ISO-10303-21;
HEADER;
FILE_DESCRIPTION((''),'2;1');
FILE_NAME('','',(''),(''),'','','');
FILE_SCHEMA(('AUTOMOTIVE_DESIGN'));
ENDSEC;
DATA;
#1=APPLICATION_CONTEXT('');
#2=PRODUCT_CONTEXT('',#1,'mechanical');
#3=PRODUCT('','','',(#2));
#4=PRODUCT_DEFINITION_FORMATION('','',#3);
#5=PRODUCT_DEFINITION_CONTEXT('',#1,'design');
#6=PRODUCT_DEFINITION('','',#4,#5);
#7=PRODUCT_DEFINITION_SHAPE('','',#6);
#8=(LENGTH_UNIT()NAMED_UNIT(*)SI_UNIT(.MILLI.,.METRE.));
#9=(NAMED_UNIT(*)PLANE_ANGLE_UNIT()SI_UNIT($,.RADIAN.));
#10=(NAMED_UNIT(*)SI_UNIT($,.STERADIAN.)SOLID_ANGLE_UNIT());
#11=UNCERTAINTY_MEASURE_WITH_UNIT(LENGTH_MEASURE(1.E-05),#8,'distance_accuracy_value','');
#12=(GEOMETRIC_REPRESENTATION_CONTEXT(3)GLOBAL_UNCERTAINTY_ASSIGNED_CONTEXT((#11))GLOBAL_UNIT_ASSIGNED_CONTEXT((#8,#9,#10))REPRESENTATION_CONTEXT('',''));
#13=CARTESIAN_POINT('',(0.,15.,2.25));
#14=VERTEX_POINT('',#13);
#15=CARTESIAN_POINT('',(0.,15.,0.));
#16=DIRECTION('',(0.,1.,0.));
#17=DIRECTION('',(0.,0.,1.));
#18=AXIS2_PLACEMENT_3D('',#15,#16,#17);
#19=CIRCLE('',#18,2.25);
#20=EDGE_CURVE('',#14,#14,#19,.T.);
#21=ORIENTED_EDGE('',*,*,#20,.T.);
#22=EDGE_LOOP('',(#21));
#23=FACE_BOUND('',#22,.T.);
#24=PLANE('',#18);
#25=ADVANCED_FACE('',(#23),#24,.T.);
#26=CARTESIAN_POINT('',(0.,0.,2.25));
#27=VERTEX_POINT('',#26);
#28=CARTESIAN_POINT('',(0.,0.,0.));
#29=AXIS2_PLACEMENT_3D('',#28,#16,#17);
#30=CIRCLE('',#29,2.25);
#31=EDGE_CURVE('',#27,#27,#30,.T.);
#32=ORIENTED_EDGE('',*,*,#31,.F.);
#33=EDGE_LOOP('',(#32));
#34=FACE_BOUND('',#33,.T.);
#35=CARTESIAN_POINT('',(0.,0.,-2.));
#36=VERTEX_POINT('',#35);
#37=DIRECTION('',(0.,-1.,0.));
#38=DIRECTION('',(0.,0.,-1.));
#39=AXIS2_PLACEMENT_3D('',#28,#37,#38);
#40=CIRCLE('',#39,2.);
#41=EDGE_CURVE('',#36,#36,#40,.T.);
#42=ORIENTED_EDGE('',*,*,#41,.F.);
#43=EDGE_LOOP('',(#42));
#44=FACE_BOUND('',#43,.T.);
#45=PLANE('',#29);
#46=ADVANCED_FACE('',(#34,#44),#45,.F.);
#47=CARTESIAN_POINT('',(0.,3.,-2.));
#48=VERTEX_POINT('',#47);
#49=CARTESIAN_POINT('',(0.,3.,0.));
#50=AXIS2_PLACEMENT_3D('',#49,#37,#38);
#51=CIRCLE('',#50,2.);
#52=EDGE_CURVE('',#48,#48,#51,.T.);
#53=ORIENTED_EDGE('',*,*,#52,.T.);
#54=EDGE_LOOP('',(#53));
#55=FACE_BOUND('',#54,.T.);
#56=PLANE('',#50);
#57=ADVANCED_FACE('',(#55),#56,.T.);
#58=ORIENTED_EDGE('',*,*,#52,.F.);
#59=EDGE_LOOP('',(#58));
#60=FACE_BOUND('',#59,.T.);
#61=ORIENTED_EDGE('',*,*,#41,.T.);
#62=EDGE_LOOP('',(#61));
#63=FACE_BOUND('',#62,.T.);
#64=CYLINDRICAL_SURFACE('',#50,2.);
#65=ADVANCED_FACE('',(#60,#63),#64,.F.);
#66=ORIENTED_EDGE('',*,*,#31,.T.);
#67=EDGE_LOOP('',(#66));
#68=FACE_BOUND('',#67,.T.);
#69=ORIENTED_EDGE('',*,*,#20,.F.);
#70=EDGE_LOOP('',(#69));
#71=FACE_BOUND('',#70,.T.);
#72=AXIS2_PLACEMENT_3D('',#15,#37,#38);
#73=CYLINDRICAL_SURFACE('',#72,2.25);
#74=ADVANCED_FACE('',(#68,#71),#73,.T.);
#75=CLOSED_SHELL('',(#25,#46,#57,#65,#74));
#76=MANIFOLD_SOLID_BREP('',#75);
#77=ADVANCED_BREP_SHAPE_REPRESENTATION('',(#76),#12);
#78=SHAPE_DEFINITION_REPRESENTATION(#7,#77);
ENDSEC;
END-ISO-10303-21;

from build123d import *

# Parameters (mm, degrees)
SKETCH1_R           = 2.25
BOSS_EXTRUDE1_DEPTH = 15
SKETCH2_R           = 2
CUT_EXTRUDE1_DEPTH  = 3


with BuildPart() as part:
    # Sketch1 → Boss-Extrude1 (new body)
    with BuildSketch(Plane(origin=(0, 0, 0), x_dir=(1, 0, 0), z_dir=(0, 1, 0))):
        Circle(SKETCH1_R)
    extrude(amount=BOSS_EXTRUDE1_DEPTH)

    # Sketch2 → Cut-Extrude1 (cut)
    with BuildSketch(Plane.XZ):
        Circle(SKETCH2_R)
    extrude(amount=-CUT_EXTRUDE1_DEPTH, mode=Mode.SUBTRACT)


solid = part.part
